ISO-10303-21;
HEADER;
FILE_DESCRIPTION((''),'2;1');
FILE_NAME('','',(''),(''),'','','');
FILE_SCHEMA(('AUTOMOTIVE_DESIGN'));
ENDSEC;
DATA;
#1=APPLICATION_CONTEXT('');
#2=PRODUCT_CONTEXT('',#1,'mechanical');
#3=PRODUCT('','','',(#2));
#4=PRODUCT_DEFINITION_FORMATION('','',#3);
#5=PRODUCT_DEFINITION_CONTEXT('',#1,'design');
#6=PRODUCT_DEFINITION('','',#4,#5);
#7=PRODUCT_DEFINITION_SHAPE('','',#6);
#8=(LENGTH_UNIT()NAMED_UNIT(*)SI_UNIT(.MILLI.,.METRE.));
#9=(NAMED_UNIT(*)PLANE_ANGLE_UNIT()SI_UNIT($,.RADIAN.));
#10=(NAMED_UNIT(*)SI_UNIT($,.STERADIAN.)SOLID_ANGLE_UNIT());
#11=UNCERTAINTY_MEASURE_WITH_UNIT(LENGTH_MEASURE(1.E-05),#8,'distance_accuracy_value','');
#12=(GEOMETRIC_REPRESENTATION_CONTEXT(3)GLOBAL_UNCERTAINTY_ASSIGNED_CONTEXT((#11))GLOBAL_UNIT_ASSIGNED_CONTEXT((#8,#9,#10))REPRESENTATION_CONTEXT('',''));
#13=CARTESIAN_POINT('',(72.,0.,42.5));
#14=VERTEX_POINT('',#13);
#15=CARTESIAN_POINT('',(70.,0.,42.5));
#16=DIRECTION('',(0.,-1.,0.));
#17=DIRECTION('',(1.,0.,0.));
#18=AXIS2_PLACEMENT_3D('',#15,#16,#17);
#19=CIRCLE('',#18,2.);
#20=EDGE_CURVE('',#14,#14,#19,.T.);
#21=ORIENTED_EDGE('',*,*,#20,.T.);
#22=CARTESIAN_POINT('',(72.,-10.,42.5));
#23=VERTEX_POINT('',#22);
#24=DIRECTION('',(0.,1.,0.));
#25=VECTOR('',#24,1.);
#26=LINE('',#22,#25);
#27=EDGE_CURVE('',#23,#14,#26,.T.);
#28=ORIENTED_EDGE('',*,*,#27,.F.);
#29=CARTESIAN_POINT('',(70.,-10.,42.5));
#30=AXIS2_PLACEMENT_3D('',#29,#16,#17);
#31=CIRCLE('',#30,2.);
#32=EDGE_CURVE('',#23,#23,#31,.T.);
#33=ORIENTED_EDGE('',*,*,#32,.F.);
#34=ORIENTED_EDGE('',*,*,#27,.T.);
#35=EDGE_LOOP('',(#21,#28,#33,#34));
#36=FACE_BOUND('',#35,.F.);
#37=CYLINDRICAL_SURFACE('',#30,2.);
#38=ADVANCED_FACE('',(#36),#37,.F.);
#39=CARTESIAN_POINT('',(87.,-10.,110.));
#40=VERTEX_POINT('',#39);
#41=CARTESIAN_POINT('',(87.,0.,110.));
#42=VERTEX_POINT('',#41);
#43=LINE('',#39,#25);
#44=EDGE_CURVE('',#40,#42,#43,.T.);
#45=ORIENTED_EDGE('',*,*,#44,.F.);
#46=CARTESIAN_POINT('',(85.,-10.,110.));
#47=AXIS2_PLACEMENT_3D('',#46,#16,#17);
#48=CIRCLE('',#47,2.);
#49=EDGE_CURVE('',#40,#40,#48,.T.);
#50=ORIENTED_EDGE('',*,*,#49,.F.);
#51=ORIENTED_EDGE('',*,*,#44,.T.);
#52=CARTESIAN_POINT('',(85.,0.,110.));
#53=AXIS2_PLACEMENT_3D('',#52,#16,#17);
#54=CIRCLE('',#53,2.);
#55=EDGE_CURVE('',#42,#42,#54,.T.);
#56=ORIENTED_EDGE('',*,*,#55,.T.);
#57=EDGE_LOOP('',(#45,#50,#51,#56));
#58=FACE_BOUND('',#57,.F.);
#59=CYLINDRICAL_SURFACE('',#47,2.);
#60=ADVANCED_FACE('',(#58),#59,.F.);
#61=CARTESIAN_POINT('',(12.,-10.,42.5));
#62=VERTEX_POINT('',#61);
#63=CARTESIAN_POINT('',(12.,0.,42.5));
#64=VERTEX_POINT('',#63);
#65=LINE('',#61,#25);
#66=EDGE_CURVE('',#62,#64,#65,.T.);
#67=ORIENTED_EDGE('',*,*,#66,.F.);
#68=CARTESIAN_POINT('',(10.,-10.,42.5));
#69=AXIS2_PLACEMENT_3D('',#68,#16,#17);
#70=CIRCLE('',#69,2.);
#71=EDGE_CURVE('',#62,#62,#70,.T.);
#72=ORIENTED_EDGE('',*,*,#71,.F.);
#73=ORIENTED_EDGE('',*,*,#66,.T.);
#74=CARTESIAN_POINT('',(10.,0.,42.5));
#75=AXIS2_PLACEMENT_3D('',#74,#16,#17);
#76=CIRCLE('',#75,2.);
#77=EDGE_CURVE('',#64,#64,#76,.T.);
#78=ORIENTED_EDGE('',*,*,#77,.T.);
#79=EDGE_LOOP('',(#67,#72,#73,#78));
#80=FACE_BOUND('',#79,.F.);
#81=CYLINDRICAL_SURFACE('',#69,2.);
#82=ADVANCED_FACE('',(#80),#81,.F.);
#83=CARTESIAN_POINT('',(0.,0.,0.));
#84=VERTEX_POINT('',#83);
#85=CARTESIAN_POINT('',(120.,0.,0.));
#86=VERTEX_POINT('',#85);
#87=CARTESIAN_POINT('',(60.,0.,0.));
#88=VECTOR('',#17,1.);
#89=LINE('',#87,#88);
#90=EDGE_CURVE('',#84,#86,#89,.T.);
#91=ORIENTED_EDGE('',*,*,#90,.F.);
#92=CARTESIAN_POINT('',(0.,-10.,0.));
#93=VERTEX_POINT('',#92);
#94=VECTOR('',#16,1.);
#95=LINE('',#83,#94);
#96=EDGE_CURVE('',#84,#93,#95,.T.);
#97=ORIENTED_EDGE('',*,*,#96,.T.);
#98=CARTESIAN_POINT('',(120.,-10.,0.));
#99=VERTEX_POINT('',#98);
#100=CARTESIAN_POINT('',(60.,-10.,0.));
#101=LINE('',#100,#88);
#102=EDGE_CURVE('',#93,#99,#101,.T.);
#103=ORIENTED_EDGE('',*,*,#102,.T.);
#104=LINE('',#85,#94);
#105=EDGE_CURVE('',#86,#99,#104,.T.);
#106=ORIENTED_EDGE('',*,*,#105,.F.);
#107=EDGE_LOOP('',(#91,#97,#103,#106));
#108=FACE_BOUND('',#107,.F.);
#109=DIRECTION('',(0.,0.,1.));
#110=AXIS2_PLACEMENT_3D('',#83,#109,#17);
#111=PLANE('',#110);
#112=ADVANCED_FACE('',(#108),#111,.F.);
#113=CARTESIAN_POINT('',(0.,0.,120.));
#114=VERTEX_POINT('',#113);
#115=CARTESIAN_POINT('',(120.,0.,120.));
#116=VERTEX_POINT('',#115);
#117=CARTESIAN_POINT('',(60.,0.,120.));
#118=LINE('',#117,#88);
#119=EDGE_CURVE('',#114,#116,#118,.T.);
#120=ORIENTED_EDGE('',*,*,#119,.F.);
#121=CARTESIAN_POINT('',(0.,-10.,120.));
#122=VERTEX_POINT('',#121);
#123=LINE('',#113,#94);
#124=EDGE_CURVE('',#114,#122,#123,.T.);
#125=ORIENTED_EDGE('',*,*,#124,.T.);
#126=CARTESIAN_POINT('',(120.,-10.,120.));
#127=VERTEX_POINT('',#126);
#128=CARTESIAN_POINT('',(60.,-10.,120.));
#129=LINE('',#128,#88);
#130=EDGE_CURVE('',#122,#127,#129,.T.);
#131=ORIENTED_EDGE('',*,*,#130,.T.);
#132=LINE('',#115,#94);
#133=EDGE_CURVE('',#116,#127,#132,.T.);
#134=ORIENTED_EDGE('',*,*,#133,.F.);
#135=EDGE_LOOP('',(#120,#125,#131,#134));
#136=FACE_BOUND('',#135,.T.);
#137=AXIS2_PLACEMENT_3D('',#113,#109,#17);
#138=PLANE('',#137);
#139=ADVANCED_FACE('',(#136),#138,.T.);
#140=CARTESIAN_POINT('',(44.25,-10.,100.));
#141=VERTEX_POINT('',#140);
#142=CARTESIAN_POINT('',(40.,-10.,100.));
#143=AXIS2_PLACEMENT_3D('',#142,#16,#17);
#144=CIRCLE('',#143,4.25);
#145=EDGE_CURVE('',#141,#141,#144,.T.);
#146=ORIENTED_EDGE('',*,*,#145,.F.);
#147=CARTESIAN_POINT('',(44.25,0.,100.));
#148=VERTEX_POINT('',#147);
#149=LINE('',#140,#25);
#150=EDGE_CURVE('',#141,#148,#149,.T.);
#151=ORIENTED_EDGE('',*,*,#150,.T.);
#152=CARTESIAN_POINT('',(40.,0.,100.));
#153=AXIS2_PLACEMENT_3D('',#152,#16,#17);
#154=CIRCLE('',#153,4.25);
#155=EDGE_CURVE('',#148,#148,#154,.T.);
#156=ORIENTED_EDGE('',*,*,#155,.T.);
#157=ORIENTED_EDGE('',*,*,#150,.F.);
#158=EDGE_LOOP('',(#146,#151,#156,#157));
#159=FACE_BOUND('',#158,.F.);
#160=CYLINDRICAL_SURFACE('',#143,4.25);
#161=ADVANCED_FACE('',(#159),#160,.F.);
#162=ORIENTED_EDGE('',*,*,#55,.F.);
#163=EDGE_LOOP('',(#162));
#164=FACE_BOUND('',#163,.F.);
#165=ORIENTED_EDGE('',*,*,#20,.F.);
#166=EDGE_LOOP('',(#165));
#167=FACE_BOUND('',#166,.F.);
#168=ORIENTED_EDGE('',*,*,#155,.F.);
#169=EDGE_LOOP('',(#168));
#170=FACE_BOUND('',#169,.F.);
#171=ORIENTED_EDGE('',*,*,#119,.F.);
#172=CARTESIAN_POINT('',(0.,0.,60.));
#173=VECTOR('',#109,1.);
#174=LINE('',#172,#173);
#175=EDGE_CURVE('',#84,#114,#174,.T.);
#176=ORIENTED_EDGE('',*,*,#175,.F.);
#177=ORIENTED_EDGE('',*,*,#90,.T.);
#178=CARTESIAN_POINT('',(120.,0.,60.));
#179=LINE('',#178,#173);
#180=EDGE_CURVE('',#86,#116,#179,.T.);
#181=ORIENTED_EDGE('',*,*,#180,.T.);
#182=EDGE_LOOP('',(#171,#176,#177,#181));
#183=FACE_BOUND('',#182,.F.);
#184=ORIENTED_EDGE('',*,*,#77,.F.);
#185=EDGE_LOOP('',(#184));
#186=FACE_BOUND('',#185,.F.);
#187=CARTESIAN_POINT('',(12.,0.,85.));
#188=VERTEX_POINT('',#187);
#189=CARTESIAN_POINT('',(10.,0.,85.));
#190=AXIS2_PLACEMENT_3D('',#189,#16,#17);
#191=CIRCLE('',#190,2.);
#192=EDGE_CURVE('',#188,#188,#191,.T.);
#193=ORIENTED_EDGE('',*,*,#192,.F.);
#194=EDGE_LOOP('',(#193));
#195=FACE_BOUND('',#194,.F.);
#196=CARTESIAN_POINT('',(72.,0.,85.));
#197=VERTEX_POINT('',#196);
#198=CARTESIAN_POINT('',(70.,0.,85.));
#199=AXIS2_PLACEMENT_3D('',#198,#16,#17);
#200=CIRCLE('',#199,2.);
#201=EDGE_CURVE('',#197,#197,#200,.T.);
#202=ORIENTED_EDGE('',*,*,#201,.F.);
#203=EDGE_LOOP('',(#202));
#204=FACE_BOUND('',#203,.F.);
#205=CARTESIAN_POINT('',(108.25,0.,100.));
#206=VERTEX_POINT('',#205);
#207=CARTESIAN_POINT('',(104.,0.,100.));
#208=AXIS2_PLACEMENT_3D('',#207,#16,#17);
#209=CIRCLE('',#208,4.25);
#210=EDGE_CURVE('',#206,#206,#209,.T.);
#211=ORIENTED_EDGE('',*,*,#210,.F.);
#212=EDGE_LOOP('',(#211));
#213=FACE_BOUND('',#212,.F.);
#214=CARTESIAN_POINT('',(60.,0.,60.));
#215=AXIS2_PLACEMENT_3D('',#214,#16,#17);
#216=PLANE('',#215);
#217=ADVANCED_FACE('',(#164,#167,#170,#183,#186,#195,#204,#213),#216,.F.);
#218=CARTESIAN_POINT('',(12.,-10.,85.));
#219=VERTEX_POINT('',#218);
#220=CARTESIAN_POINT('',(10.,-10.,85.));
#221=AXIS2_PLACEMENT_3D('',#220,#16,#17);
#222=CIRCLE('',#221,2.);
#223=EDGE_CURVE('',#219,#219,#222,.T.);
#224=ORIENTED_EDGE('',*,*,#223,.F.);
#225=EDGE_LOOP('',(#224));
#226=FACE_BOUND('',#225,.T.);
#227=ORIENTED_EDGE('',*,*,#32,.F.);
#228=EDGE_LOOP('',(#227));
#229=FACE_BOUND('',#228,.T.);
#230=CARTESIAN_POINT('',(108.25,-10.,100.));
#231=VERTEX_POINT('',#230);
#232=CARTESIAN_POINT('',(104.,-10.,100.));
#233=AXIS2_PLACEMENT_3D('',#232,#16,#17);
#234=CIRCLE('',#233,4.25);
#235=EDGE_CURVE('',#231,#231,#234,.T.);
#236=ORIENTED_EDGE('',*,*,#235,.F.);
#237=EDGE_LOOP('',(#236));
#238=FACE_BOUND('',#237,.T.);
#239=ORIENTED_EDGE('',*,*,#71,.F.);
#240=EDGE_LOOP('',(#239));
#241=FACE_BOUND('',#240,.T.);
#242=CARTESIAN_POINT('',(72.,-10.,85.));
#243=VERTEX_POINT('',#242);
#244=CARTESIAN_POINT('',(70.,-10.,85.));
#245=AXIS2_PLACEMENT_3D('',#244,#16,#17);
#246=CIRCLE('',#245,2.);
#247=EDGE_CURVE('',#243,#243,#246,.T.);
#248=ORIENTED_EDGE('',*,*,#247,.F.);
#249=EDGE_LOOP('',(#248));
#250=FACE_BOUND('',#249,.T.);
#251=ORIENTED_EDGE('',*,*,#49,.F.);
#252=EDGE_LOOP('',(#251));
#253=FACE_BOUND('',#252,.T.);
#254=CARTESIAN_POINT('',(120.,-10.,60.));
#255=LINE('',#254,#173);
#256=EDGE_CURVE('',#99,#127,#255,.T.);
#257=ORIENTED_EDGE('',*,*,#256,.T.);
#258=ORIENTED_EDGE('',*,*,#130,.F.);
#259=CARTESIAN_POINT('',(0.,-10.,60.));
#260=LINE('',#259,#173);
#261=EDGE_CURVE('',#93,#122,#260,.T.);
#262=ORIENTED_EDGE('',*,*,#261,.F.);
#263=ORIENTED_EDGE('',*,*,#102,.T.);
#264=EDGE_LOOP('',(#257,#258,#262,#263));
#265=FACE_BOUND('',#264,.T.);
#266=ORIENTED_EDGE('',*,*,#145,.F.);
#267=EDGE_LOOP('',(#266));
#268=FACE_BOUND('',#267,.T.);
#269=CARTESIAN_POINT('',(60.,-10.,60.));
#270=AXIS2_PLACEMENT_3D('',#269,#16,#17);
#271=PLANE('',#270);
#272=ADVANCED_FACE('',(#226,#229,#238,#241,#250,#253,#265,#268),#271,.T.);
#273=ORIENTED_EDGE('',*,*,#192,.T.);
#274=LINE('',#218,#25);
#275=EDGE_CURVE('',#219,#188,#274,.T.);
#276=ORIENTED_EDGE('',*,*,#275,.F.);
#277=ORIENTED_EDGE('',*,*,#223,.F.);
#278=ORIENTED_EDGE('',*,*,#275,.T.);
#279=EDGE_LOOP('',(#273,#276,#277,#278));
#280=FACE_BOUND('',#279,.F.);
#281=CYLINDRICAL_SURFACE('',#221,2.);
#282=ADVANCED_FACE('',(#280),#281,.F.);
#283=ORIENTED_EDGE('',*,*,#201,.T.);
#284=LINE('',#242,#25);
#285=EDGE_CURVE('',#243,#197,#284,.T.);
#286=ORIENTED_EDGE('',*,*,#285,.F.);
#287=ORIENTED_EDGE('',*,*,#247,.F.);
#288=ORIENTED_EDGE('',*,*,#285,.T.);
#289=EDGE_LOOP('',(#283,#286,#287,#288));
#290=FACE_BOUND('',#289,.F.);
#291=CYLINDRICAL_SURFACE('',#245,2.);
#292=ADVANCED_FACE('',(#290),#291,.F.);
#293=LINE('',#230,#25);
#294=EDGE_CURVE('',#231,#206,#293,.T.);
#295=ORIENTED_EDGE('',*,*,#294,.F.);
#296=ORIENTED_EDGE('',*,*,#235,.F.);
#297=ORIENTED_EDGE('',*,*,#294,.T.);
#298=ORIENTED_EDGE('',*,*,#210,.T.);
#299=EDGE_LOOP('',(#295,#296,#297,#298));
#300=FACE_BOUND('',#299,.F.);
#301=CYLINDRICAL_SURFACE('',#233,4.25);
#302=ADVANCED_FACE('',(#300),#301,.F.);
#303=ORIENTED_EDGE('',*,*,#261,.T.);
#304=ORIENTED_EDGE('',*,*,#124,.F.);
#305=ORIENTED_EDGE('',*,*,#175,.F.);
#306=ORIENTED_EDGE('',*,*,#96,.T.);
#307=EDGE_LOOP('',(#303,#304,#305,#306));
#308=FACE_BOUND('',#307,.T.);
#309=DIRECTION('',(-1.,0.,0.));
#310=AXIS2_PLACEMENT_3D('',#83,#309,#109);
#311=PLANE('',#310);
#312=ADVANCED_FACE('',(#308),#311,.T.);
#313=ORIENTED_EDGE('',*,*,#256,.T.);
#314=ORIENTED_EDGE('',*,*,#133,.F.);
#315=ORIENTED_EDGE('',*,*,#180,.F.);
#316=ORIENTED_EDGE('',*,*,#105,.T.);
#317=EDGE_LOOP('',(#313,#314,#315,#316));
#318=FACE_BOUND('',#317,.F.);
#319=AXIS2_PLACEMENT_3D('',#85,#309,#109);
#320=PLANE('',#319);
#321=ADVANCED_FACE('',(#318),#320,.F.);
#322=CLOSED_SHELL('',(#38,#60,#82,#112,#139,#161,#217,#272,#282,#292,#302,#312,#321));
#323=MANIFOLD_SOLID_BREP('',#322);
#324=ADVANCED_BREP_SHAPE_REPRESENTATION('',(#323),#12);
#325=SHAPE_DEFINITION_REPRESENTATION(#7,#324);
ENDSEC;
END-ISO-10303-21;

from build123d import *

# Parameters (mm, degrees)
F0_W     = 120
F0_H     = 120
F1_DEPTH = 10
F2_R     = 4.25
F2_R_2   = 2
F3_DEPTH = 10.001
F4_R     = 2
F5_DEPTH = 10.001


with BuildPart() as f1:
    # F0 (on Front) → F1 (new body)
    with BuildSketch(Plane.XZ):
        with Locations((60, 60)):
            Rectangle(F0_W, F0_H)
    extrude(amount=F1_DEPTH)

    # F2 (on face) → F3 (cut, through all)
    with BuildSketch(Plane.XZ.offset(10)):
        with Locations((40, 100)):
            Circle(F2_R)
        with Locations((104, 100)):
            Circle(F2_R)
        with Locations((85, 110)):
            Circle(F2_R_2)
    extrude(amount=-F3_DEPTH, mode=Mode.SUBTRACT)

    # F4 (on face) → F5 (cut, through all)
    with BuildSketch(Plane.XZ.offset(10)):
        with Locations((10, 42.5)):
            Circle(F4_R)
        with Locations((10, 85)):
            Circle(F4_R)
        with Locations((70, 85)):
            Circle(F4_R)
        with Locations((70, 42.5)):
            Circle(F4_R)
    extrude(amount=-F5_DEPTH, mode=Mode.SUBTRACT)


solid = f1.part
